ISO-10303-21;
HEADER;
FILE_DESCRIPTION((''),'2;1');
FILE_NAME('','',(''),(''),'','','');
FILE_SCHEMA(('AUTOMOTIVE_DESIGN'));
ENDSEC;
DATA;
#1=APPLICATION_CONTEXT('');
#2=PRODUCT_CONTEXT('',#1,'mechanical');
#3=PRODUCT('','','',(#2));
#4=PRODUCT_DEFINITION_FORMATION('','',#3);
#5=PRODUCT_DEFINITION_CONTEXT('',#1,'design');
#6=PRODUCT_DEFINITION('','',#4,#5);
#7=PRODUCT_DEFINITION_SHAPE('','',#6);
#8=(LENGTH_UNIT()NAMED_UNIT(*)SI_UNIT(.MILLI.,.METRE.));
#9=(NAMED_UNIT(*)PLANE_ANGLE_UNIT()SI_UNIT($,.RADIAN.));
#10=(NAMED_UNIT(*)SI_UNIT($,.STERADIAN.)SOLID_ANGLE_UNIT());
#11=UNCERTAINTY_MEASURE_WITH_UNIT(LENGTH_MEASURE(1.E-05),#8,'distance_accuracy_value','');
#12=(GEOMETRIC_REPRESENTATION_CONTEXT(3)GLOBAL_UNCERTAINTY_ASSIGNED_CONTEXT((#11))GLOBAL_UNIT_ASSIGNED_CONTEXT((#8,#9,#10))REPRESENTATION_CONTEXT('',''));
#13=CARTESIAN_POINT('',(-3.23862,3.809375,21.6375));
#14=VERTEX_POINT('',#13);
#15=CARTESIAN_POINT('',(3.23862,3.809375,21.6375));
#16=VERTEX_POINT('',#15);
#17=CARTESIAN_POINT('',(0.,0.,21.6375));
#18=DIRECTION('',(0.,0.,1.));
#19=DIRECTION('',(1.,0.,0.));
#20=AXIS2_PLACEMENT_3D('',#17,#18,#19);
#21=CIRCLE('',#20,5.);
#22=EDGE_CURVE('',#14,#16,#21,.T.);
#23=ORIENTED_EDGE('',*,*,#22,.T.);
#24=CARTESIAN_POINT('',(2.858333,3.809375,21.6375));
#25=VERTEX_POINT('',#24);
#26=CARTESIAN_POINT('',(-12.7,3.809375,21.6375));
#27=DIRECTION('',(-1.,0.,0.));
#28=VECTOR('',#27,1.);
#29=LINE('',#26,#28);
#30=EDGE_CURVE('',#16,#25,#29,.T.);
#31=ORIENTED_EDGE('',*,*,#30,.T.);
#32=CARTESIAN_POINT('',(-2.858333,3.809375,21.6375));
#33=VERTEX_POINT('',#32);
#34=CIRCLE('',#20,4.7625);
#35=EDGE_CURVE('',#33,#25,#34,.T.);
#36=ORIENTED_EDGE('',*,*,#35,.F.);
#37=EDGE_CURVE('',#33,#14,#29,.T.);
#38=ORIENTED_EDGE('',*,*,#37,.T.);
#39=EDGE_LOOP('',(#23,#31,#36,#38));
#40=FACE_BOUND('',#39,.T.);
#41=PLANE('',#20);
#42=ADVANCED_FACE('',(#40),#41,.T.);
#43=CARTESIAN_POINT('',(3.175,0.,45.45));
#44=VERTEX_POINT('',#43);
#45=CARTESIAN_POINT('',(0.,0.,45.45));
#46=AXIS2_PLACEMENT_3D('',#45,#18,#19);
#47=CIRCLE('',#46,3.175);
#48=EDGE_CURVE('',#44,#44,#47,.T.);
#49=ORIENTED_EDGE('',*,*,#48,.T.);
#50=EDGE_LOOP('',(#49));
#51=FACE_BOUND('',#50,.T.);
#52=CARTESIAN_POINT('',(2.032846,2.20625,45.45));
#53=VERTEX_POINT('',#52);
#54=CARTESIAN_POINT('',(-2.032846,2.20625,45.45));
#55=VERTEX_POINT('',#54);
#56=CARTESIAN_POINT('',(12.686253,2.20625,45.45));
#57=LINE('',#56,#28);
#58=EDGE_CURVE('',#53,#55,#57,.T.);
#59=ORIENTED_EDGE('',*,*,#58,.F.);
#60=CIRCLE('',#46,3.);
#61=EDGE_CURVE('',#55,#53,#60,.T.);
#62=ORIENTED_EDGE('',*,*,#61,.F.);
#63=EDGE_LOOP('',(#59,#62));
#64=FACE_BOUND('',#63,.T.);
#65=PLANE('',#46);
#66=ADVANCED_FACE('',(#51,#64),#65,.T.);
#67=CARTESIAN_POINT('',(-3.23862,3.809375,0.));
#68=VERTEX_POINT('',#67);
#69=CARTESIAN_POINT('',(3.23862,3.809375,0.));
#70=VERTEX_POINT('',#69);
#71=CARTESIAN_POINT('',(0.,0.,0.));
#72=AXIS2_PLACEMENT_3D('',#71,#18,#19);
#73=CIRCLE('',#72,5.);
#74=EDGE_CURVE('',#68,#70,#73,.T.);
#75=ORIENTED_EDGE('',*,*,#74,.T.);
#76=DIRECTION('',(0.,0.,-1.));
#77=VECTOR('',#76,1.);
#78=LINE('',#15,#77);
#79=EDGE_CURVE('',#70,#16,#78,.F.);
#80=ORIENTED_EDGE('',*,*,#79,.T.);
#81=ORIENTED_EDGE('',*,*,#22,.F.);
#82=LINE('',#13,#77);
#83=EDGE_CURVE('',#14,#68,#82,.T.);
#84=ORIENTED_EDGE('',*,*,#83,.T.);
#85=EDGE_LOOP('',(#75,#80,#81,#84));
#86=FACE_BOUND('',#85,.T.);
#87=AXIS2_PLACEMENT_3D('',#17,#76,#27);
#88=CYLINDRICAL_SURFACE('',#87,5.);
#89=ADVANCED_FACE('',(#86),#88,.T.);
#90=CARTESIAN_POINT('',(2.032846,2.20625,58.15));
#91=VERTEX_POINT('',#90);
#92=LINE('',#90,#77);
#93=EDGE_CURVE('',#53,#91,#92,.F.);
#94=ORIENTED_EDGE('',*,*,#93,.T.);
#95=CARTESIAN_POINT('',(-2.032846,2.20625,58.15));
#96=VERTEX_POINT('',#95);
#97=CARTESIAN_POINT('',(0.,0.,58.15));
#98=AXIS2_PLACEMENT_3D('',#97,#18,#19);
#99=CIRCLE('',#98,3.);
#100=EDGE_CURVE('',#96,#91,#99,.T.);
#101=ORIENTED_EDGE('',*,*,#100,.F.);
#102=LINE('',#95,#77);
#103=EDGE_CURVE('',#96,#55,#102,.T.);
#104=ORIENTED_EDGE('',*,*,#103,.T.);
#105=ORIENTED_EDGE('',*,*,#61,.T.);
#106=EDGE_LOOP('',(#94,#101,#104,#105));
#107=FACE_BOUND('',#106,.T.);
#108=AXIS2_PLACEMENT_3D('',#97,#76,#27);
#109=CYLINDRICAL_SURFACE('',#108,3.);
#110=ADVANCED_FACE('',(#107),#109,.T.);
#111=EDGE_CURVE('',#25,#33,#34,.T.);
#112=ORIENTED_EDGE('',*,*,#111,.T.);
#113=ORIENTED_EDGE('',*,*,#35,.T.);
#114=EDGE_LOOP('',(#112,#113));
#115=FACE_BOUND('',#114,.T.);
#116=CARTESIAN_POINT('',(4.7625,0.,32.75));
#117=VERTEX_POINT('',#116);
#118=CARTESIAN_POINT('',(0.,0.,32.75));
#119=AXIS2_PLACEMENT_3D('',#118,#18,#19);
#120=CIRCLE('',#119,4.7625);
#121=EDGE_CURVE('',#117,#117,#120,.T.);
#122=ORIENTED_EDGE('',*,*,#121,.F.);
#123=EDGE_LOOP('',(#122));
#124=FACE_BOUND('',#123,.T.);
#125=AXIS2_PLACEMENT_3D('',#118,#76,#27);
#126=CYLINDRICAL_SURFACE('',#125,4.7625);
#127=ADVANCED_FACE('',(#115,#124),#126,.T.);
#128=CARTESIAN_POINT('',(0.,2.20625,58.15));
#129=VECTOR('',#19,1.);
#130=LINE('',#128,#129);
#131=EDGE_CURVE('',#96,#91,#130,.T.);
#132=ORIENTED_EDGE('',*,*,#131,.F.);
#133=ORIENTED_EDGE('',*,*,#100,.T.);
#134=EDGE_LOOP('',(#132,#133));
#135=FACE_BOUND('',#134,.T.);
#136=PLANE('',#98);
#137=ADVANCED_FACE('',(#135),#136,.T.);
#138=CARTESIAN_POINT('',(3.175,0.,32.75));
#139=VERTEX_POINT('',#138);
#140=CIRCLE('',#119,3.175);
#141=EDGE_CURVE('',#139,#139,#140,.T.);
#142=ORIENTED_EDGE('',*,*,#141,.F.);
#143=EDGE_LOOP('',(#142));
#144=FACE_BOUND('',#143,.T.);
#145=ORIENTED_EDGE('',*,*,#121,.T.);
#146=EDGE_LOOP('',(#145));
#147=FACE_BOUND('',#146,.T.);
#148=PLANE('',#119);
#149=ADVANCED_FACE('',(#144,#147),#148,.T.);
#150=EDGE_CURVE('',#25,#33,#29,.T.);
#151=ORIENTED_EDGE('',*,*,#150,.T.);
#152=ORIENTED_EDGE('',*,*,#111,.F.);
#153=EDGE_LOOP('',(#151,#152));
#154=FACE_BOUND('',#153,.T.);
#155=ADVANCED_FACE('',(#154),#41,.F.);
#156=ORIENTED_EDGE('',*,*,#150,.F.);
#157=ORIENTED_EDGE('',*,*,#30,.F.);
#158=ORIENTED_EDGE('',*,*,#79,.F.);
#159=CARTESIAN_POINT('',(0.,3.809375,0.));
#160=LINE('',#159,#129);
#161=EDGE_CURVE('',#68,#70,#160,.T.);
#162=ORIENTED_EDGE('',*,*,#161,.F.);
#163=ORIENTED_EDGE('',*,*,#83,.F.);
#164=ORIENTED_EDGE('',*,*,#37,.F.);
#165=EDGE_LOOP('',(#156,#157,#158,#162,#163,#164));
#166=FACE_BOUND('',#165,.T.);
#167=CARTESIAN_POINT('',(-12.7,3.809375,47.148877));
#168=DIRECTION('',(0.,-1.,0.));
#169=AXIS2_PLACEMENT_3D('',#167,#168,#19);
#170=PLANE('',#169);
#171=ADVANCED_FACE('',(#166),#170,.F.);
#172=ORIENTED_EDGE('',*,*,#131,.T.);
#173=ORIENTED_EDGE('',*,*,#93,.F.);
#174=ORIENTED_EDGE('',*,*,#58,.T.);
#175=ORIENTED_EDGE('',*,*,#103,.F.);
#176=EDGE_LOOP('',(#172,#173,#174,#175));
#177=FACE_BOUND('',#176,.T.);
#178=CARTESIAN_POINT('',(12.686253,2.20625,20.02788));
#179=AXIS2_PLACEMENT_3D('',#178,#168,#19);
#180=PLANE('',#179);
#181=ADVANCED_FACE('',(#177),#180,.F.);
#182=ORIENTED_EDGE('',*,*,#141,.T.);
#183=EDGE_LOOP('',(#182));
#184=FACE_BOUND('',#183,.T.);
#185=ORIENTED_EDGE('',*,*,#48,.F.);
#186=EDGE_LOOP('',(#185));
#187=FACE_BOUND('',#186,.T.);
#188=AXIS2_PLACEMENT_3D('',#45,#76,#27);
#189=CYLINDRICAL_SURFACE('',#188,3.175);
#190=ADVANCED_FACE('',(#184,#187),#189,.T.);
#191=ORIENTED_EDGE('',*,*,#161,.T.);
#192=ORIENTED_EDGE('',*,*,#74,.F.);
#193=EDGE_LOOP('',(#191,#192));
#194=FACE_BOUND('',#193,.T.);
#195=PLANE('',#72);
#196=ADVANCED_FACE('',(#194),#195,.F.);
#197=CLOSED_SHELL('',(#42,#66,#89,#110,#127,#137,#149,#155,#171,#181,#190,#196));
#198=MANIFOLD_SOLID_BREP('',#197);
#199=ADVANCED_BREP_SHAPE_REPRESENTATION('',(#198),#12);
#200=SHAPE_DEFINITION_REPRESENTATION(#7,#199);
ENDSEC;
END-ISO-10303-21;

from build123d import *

# Parameters (mm, degrees)
SKETCH1_R           = 5
BOSS_EXTRUDE1_DEPTH = 21.637500032
SKETCH2_R           = 4.7625
BOSS_EXTRUDE2_DEPTH = 11.1125
SKETCH3_R           = 3.175
BOSS_EXTRUDE3_DEPTH = 12.7
SKETCH4_W           = 25.4
SKETCH4_H           = 2.38125
CUT_EXTRUDE1_DEPTH  = 21.637500032
SKETCH6_R           = 3
BOSS_EXTRUDE4_DEPTH = 12.7
SKETCH7_W           = 25.37250579
SKETCH7_H           = 1.5875
CUT_EXTRUDE3_DEPTH  = 12.7


with BuildPart() as part:
    # Sketch1 → Boss-Extrude1 (new body)
    with BuildSketch(Plane.XY):
        Circle(SKETCH1_R)
    extrude(amount=BOSS_EXTRUDE1_DEPTH)

    # Sketch2 → Boss-Extrude2 (add)
    with BuildSketch(Plane.XY.offset(21.637500032)):
        Circle(SKETCH2_R)
    extrude(amount=BOSS_EXTRUDE2_DEPTH)

    # Sketch3 → Boss-Extrude3 (add)
    with BuildSketch(Plane.XY.offset(32.750000032)):
        Circle(SKETCH3_R)
    extrude(amount=BOSS_EXTRUDE3_DEPTH)

    # Sketch4 → Cut-Extrude1 (cut)
    with BuildSketch(Plane(origin=(0, 0, 0), x_dir=(-1, 0, 0), z_dir=(0, 0, -1))):
        with Locations((0, 5)):
            Rectangle(SKETCH4_W, SKETCH4_H)
    extrude(amount=-CUT_EXTRUDE1_DEPTH, mode=Mode.SUBTRACT)

    # Sketch6 → Boss-Extrude4 (add)
    with BuildSketch(Plane.XY.offset(45.450000032)):
        Circle(SKETCH6_R)
    extrude(amount=BOSS_EXTRUDE4_DEPTH)

    # Sketch7 → Cut-Extrude3 (cut)
    with BuildSketch(Plane.XY.offset(58.150000032)):
        with Locations((0, 3)):
            Rectangle(SKETCH7_W, SKETCH7_H)
    extrude(amount=-CUT_EXTRUDE3_DEPTH, mode=Mode.SUBTRACT)


solid = part.part
